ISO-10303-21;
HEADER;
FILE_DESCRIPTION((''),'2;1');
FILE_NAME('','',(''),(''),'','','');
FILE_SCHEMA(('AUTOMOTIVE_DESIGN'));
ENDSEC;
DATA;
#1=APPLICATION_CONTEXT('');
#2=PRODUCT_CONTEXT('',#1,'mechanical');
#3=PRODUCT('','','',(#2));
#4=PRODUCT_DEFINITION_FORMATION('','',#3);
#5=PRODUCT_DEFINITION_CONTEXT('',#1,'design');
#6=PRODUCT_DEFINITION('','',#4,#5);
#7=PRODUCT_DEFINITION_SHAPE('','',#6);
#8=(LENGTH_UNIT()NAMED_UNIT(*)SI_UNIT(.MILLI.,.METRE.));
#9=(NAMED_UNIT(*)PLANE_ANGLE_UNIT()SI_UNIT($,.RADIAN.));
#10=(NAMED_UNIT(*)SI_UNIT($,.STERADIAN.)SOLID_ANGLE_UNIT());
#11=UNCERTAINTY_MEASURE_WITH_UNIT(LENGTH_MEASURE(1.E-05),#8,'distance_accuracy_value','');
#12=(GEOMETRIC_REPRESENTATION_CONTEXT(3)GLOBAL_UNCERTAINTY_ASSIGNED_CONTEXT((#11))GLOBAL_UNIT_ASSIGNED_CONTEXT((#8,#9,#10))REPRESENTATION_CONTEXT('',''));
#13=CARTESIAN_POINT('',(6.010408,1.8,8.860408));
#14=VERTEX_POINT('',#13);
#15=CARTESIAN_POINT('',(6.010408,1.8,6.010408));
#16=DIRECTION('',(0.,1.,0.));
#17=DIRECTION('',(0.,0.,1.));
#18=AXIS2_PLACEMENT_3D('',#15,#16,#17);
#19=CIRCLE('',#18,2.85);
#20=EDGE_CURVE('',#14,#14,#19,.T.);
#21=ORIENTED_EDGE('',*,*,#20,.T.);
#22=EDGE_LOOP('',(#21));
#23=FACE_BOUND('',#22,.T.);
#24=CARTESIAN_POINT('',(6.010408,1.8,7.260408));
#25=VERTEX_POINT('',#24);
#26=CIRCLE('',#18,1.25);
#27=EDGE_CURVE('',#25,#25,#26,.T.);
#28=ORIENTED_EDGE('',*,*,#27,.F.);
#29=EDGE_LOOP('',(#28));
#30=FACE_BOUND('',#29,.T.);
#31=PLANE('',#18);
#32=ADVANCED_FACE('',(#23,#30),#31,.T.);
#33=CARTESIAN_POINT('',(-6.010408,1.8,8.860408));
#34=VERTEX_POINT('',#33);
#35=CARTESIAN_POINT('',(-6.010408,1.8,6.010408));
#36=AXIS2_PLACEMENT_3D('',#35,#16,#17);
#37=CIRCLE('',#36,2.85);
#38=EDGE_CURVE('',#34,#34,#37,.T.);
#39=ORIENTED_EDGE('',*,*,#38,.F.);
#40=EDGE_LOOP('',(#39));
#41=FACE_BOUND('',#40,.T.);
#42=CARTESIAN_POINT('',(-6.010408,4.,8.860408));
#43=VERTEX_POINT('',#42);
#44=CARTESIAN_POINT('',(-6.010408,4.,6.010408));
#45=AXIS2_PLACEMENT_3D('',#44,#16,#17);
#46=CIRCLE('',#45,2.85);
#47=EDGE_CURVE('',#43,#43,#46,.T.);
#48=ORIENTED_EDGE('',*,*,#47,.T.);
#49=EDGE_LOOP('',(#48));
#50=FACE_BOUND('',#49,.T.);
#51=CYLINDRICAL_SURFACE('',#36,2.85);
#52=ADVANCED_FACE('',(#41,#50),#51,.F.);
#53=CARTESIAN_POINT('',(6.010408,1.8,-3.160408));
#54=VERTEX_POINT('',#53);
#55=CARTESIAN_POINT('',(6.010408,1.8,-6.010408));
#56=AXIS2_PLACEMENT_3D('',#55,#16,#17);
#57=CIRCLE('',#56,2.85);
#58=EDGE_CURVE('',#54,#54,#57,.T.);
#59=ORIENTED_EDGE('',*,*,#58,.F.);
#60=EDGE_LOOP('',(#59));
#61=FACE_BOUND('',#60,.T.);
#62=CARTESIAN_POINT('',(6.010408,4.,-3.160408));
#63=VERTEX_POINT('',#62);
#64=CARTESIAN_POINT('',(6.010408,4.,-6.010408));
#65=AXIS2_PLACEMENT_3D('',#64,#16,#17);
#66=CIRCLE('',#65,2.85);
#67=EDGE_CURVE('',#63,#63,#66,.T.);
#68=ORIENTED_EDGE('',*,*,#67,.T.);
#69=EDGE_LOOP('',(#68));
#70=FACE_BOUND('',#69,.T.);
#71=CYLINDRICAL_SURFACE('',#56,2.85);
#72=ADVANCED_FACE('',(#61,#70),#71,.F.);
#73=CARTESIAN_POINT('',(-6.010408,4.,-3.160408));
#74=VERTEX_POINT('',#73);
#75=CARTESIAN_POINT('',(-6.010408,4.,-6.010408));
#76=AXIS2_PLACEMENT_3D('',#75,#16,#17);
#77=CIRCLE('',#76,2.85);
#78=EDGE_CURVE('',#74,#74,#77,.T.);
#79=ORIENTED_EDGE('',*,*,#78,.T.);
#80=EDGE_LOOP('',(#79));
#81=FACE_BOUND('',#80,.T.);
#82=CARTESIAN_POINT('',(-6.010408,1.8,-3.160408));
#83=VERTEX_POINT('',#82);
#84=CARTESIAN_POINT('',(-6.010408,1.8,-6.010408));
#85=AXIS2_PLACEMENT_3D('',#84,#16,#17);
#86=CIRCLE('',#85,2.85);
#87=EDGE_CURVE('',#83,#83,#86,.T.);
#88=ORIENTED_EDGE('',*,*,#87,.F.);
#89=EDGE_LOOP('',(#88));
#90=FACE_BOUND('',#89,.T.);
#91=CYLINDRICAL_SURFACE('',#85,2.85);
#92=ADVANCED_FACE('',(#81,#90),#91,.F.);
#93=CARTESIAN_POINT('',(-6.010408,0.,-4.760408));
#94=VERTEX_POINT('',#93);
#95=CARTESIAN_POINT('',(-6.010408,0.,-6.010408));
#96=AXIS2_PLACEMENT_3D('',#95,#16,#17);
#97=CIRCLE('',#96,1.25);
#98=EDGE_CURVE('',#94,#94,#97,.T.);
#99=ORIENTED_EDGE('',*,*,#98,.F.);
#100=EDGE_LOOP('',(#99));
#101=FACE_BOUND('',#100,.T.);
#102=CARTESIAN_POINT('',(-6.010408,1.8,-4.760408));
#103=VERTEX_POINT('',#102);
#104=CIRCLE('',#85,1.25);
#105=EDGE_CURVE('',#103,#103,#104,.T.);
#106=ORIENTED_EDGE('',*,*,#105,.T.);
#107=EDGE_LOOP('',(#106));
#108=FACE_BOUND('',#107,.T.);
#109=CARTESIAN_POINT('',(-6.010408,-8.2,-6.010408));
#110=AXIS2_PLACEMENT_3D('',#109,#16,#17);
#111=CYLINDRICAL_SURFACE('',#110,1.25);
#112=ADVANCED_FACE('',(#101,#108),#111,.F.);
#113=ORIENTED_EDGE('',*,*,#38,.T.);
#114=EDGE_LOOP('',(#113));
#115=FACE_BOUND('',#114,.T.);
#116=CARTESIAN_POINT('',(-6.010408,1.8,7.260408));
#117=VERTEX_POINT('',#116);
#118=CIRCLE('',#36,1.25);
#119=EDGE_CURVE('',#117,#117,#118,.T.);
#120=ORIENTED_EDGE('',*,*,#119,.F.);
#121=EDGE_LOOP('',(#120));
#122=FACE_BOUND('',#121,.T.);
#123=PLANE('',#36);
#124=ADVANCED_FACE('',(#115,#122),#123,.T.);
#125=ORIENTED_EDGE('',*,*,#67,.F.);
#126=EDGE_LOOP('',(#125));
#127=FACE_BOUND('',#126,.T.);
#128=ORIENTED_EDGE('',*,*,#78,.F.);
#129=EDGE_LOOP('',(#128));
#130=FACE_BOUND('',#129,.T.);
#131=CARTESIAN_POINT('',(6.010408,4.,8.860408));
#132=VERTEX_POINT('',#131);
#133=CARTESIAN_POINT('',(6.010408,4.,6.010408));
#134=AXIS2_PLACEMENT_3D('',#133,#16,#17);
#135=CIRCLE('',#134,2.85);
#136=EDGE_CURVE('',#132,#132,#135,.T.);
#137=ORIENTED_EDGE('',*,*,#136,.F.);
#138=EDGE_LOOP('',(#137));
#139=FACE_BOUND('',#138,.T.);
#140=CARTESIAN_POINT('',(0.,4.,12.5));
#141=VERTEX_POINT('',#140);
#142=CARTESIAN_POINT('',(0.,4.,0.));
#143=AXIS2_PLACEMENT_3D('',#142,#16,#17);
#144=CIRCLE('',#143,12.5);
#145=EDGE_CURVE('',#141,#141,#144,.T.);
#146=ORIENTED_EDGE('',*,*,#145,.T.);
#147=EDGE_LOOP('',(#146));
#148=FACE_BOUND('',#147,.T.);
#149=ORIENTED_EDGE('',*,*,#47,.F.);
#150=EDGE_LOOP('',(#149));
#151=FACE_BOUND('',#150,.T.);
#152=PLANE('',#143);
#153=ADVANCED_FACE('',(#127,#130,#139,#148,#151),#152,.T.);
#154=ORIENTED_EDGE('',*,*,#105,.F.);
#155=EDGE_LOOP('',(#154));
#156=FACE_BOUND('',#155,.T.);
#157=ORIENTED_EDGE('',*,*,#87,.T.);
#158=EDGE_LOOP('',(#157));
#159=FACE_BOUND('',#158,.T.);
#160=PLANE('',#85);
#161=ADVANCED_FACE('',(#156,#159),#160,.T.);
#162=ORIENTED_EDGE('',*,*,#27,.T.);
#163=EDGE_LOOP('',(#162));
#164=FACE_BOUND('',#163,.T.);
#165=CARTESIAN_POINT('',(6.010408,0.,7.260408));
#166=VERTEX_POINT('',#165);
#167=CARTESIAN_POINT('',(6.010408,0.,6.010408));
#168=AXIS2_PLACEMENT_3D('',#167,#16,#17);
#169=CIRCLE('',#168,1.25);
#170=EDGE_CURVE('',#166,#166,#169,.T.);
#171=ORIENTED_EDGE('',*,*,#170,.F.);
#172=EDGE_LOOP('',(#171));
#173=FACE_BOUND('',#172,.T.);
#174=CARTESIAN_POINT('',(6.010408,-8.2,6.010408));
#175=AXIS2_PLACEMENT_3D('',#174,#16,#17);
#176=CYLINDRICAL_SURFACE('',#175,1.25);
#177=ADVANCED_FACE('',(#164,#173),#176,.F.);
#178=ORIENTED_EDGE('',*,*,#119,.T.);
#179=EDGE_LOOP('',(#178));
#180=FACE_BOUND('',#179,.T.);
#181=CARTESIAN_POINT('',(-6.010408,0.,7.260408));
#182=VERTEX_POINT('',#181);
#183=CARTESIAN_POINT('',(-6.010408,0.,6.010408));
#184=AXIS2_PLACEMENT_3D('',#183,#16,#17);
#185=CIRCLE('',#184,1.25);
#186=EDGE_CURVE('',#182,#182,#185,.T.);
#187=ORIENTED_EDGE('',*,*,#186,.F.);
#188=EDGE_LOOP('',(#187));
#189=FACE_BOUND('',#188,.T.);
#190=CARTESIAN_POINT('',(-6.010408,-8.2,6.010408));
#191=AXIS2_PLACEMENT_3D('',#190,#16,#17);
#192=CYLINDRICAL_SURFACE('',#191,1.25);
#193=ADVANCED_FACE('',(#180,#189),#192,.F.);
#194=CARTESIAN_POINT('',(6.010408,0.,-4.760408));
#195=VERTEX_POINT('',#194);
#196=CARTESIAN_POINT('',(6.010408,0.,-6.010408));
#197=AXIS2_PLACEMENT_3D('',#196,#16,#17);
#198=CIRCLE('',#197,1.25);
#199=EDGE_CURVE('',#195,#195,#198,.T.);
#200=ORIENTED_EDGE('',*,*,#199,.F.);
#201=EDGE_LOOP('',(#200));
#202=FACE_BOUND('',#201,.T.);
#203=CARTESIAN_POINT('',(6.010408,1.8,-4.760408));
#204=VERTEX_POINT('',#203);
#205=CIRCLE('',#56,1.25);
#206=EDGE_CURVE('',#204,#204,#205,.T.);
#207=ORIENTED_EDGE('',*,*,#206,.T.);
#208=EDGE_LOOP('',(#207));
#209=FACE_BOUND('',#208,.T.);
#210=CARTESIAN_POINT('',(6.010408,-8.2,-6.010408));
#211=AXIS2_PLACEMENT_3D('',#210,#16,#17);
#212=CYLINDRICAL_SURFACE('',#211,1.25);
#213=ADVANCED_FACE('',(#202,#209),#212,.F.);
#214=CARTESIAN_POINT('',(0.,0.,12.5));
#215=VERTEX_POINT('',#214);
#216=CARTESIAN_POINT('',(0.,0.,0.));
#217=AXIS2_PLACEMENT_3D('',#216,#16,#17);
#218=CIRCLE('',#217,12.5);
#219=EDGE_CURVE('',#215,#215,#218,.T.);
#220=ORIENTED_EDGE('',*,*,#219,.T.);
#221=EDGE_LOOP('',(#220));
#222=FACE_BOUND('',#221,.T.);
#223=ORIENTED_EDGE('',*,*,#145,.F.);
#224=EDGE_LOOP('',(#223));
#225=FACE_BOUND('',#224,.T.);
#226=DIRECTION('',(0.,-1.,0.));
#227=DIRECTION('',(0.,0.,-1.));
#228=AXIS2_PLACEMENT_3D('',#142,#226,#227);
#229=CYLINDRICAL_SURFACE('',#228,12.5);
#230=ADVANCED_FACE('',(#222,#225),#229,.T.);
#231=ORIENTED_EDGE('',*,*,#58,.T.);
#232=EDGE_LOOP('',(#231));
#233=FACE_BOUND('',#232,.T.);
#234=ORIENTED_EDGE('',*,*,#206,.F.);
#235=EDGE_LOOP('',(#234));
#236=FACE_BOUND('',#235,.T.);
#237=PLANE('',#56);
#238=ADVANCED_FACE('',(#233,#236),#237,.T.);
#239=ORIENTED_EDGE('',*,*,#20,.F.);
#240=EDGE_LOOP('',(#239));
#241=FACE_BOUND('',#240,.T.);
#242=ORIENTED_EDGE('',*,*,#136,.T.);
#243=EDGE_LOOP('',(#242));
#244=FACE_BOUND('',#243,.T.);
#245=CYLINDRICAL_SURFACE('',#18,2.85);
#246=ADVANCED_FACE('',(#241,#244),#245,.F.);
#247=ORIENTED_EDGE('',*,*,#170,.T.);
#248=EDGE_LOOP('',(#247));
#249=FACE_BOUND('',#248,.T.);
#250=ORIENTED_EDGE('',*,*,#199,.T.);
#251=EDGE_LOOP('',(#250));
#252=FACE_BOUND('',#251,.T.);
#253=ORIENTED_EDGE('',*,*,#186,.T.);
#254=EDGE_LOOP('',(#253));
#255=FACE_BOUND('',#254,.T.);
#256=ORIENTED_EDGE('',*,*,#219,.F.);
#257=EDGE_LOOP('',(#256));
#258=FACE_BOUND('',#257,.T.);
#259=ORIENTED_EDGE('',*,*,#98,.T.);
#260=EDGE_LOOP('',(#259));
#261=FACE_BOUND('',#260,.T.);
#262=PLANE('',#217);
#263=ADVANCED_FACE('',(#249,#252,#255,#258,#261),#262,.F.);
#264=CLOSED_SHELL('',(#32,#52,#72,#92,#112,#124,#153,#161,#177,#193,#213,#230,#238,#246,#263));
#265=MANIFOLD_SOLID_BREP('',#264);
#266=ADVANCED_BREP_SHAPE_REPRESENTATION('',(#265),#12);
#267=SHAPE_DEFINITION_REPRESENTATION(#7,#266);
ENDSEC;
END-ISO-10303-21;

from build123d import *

# Parameters (mm, degrees)
SKETCH_1_R          = 12.5
EXTRUDE_1_DEPTH     = 4
SKETCH_2_R          = 2.85
CUT_EXTRUDE_1_DEPTH = 2.2
SKETCH_3_R          = 1.25
CUT_EXTRUDE_2_DEPTH = 10


with BuildPart() as part:
    # 草图1 → 凸台-拉伸1 (new body)
    with BuildSketch(Plane(origin=(0, 0, 0), x_dir=(1, 0, 0), z_dir=(0, 1, 0))):
        with Locations(Location((0, 0, 0), (0, 0, 270))):
            Circle(SKETCH_1_R)
    extrude(amount=EXTRUDE_1_DEPTH)

    # 草图2 → 切除-拉伸1 (cut)
    with BuildSketch(Plane(origin=(0, 4, 0), x_dir=(1, 0, 0), z_dir=(0, 1, 0))):
        with Locations(Location((6.01040764, 6.01040764, 0), (0, 0, 270))):
            Circle(SKETCH_2_R)
        with Locations(Location((6.01040764, -6.01040764, 0), (0, 0, 270))):
            Circle(SKETCH_2_R)
        with Locations(Location((-6.01040764, -6.01040764, 0), (0, 0, 270))):
            Circle(SKETCH_2_R)
        with Locations(Location((-6.01040764, 6.01040764, 0), (0, 0, 270))):
            Circle(SKETCH_2_R)
    extrude(amount=-CUT_EXTRUDE_1_DEPTH, mode=Mode.SUBTRACT)

    # 草图3 → 切除-拉伸2 (cut)
    with BuildSketch(Plane(origin=(0, 1.8, 0), x_dir=(1, 0, 0), z_dir=(0, 1, 0))):
        with Locations(Location((-6.01040764, 6.01040764, 0), (0, 0, 270))):
            Circle(SKETCH_3_R)
        with Locations(Location((6.01040764, 6.01040764, 0), (0, 0, 270))):
            Circle(SKETCH_3_R)
        with Locations(Location((6.01040764, -6.01040764, 0), (0, 0, 270))):
            Circle(SKETCH_3_R)
        with Locations(Location((-6.01040764, -6.01040764, 0), (0, 0, 270))):
            Circle(SKETCH_3_R)
    extrude(amount=-CUT_EXTRUDE_2_DEPTH, mode=Mode.SUBTRACT)


solid = part.part
